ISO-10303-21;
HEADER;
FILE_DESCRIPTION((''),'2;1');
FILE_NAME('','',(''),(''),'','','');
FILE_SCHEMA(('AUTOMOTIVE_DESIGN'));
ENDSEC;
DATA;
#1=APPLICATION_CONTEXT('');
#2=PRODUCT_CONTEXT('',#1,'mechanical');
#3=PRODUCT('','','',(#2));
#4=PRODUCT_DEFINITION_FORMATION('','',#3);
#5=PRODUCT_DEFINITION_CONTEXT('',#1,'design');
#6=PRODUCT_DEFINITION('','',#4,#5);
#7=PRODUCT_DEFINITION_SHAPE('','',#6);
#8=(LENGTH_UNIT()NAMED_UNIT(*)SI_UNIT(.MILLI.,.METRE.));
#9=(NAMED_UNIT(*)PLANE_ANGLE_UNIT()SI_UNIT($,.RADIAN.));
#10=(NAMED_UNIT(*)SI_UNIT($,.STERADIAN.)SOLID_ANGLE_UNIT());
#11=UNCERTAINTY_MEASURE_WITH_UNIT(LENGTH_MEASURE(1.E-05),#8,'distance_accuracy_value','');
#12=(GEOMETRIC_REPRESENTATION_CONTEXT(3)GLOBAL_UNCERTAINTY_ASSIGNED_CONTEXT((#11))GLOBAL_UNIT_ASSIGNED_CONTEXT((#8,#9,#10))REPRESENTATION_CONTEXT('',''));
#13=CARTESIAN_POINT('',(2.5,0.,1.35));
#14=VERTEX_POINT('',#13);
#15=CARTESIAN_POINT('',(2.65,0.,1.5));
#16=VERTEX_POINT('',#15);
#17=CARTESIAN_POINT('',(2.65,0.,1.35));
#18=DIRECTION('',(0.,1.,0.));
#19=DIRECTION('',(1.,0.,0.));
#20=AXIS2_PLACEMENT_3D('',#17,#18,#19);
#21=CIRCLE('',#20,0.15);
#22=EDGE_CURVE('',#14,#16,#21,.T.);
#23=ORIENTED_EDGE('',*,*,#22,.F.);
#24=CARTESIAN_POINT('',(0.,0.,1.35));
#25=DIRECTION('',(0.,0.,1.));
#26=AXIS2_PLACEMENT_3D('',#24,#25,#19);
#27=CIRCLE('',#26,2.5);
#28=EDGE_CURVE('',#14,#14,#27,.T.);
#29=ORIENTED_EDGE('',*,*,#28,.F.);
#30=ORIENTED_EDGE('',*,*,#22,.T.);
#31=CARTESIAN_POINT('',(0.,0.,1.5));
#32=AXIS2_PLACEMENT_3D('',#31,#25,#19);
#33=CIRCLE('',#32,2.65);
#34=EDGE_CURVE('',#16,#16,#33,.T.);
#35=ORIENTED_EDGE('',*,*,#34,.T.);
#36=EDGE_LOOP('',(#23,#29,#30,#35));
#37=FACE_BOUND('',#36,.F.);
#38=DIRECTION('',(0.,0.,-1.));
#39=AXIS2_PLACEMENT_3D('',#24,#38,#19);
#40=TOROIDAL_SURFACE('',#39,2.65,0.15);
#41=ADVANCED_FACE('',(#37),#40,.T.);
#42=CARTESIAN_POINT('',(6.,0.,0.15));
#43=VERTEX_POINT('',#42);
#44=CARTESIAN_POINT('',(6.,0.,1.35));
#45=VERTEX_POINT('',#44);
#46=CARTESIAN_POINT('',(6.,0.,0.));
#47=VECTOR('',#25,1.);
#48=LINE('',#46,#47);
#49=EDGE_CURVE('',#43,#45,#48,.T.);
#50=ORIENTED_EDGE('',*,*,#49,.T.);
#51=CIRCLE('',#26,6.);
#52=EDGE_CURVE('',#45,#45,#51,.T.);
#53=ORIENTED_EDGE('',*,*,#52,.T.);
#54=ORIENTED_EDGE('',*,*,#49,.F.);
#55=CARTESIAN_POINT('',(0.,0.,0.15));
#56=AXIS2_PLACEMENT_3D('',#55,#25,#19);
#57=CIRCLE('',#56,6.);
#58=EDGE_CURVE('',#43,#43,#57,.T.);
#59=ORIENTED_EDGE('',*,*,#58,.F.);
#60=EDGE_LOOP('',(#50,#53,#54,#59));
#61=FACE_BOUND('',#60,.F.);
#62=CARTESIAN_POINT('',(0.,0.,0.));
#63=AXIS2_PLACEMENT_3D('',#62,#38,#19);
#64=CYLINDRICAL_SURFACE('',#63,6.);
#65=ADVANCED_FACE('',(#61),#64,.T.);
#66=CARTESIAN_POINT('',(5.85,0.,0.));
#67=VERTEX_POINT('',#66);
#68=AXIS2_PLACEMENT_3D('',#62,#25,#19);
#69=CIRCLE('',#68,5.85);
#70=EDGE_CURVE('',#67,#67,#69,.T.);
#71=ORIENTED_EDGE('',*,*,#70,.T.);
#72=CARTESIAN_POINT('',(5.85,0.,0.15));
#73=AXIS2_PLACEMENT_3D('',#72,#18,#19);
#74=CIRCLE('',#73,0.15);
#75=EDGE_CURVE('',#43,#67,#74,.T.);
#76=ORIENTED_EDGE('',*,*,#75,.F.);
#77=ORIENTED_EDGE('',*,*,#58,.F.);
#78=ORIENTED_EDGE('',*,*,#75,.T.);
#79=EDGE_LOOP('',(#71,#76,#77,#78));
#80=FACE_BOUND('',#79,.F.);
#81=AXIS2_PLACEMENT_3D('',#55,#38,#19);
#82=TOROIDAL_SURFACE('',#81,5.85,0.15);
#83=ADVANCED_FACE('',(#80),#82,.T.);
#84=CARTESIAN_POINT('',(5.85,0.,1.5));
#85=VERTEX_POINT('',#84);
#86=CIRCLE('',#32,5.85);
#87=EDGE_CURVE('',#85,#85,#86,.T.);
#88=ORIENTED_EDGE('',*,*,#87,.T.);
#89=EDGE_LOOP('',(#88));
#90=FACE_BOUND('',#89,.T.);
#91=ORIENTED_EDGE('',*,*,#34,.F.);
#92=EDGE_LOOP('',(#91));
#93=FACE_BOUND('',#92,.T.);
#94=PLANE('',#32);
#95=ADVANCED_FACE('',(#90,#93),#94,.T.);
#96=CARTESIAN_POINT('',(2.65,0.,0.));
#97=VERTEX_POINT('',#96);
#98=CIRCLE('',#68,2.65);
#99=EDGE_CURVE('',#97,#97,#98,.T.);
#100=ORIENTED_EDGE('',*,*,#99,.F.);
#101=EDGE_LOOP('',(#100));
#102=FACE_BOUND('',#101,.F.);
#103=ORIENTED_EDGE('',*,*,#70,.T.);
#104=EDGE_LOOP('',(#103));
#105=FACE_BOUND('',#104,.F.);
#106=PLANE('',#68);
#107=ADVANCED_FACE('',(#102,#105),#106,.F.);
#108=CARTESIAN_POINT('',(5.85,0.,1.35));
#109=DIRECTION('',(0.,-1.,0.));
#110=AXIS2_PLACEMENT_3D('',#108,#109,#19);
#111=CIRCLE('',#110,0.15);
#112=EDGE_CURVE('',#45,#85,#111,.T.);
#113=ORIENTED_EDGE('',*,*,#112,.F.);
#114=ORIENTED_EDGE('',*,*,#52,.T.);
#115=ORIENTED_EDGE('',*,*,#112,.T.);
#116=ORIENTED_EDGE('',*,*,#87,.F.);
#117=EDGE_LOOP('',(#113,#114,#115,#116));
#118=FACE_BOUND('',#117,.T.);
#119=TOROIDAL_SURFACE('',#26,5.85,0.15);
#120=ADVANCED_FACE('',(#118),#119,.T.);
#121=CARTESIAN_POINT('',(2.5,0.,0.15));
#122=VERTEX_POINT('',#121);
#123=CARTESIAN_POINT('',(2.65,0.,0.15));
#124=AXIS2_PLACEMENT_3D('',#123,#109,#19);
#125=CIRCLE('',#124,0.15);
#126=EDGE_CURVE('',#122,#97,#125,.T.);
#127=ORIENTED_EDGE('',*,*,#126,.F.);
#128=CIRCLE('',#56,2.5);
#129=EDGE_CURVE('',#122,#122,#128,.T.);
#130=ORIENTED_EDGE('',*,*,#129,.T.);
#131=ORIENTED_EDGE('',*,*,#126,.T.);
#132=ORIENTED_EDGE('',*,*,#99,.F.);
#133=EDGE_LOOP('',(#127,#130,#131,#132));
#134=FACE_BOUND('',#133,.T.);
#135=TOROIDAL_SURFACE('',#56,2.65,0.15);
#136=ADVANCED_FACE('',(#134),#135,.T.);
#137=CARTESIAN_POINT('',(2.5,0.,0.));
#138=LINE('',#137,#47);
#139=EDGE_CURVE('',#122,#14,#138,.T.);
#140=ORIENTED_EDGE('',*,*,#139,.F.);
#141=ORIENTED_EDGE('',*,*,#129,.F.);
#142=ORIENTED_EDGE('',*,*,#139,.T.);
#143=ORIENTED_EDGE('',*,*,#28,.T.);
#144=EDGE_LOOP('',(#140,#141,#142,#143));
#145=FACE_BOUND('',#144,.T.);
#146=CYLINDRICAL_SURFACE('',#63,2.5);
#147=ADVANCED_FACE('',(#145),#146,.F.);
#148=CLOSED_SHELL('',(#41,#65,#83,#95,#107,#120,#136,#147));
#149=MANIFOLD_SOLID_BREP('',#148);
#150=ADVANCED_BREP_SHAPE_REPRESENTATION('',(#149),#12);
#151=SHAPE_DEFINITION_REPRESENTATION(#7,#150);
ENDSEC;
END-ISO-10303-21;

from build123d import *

# Parameters (mm, degrees)
SKETCH1_R           = 6
SKETCH1_R_2         = 2.5
BOSS_EXTRUDE1_DEPTH = 1.5
FILLET1_R           = 0.15


with BuildPart() as part:
    # Sketch1 → Boss-Extrude1 (new body)
    with BuildSketch(Plane.XY):
        Circle(SKETCH1_R)
        Circle(SKETCH1_R_2, mode=Mode.SUBTRACT)
    extrude(amount=BOSS_EXTRUDE1_DEPTH)

    # Fillet1
    fillet1_edges = [part.edges().sort_by_distance(p)[0] for p in [
        (-6, 0, 0),
        (-6, 0, 1.5),
        (-2.5, 0, 0),
        (-2.5, 0, 1.5),
    ]]
    fillet(fillet1_edges, radius=FILLET1_R)


solid = part.part
